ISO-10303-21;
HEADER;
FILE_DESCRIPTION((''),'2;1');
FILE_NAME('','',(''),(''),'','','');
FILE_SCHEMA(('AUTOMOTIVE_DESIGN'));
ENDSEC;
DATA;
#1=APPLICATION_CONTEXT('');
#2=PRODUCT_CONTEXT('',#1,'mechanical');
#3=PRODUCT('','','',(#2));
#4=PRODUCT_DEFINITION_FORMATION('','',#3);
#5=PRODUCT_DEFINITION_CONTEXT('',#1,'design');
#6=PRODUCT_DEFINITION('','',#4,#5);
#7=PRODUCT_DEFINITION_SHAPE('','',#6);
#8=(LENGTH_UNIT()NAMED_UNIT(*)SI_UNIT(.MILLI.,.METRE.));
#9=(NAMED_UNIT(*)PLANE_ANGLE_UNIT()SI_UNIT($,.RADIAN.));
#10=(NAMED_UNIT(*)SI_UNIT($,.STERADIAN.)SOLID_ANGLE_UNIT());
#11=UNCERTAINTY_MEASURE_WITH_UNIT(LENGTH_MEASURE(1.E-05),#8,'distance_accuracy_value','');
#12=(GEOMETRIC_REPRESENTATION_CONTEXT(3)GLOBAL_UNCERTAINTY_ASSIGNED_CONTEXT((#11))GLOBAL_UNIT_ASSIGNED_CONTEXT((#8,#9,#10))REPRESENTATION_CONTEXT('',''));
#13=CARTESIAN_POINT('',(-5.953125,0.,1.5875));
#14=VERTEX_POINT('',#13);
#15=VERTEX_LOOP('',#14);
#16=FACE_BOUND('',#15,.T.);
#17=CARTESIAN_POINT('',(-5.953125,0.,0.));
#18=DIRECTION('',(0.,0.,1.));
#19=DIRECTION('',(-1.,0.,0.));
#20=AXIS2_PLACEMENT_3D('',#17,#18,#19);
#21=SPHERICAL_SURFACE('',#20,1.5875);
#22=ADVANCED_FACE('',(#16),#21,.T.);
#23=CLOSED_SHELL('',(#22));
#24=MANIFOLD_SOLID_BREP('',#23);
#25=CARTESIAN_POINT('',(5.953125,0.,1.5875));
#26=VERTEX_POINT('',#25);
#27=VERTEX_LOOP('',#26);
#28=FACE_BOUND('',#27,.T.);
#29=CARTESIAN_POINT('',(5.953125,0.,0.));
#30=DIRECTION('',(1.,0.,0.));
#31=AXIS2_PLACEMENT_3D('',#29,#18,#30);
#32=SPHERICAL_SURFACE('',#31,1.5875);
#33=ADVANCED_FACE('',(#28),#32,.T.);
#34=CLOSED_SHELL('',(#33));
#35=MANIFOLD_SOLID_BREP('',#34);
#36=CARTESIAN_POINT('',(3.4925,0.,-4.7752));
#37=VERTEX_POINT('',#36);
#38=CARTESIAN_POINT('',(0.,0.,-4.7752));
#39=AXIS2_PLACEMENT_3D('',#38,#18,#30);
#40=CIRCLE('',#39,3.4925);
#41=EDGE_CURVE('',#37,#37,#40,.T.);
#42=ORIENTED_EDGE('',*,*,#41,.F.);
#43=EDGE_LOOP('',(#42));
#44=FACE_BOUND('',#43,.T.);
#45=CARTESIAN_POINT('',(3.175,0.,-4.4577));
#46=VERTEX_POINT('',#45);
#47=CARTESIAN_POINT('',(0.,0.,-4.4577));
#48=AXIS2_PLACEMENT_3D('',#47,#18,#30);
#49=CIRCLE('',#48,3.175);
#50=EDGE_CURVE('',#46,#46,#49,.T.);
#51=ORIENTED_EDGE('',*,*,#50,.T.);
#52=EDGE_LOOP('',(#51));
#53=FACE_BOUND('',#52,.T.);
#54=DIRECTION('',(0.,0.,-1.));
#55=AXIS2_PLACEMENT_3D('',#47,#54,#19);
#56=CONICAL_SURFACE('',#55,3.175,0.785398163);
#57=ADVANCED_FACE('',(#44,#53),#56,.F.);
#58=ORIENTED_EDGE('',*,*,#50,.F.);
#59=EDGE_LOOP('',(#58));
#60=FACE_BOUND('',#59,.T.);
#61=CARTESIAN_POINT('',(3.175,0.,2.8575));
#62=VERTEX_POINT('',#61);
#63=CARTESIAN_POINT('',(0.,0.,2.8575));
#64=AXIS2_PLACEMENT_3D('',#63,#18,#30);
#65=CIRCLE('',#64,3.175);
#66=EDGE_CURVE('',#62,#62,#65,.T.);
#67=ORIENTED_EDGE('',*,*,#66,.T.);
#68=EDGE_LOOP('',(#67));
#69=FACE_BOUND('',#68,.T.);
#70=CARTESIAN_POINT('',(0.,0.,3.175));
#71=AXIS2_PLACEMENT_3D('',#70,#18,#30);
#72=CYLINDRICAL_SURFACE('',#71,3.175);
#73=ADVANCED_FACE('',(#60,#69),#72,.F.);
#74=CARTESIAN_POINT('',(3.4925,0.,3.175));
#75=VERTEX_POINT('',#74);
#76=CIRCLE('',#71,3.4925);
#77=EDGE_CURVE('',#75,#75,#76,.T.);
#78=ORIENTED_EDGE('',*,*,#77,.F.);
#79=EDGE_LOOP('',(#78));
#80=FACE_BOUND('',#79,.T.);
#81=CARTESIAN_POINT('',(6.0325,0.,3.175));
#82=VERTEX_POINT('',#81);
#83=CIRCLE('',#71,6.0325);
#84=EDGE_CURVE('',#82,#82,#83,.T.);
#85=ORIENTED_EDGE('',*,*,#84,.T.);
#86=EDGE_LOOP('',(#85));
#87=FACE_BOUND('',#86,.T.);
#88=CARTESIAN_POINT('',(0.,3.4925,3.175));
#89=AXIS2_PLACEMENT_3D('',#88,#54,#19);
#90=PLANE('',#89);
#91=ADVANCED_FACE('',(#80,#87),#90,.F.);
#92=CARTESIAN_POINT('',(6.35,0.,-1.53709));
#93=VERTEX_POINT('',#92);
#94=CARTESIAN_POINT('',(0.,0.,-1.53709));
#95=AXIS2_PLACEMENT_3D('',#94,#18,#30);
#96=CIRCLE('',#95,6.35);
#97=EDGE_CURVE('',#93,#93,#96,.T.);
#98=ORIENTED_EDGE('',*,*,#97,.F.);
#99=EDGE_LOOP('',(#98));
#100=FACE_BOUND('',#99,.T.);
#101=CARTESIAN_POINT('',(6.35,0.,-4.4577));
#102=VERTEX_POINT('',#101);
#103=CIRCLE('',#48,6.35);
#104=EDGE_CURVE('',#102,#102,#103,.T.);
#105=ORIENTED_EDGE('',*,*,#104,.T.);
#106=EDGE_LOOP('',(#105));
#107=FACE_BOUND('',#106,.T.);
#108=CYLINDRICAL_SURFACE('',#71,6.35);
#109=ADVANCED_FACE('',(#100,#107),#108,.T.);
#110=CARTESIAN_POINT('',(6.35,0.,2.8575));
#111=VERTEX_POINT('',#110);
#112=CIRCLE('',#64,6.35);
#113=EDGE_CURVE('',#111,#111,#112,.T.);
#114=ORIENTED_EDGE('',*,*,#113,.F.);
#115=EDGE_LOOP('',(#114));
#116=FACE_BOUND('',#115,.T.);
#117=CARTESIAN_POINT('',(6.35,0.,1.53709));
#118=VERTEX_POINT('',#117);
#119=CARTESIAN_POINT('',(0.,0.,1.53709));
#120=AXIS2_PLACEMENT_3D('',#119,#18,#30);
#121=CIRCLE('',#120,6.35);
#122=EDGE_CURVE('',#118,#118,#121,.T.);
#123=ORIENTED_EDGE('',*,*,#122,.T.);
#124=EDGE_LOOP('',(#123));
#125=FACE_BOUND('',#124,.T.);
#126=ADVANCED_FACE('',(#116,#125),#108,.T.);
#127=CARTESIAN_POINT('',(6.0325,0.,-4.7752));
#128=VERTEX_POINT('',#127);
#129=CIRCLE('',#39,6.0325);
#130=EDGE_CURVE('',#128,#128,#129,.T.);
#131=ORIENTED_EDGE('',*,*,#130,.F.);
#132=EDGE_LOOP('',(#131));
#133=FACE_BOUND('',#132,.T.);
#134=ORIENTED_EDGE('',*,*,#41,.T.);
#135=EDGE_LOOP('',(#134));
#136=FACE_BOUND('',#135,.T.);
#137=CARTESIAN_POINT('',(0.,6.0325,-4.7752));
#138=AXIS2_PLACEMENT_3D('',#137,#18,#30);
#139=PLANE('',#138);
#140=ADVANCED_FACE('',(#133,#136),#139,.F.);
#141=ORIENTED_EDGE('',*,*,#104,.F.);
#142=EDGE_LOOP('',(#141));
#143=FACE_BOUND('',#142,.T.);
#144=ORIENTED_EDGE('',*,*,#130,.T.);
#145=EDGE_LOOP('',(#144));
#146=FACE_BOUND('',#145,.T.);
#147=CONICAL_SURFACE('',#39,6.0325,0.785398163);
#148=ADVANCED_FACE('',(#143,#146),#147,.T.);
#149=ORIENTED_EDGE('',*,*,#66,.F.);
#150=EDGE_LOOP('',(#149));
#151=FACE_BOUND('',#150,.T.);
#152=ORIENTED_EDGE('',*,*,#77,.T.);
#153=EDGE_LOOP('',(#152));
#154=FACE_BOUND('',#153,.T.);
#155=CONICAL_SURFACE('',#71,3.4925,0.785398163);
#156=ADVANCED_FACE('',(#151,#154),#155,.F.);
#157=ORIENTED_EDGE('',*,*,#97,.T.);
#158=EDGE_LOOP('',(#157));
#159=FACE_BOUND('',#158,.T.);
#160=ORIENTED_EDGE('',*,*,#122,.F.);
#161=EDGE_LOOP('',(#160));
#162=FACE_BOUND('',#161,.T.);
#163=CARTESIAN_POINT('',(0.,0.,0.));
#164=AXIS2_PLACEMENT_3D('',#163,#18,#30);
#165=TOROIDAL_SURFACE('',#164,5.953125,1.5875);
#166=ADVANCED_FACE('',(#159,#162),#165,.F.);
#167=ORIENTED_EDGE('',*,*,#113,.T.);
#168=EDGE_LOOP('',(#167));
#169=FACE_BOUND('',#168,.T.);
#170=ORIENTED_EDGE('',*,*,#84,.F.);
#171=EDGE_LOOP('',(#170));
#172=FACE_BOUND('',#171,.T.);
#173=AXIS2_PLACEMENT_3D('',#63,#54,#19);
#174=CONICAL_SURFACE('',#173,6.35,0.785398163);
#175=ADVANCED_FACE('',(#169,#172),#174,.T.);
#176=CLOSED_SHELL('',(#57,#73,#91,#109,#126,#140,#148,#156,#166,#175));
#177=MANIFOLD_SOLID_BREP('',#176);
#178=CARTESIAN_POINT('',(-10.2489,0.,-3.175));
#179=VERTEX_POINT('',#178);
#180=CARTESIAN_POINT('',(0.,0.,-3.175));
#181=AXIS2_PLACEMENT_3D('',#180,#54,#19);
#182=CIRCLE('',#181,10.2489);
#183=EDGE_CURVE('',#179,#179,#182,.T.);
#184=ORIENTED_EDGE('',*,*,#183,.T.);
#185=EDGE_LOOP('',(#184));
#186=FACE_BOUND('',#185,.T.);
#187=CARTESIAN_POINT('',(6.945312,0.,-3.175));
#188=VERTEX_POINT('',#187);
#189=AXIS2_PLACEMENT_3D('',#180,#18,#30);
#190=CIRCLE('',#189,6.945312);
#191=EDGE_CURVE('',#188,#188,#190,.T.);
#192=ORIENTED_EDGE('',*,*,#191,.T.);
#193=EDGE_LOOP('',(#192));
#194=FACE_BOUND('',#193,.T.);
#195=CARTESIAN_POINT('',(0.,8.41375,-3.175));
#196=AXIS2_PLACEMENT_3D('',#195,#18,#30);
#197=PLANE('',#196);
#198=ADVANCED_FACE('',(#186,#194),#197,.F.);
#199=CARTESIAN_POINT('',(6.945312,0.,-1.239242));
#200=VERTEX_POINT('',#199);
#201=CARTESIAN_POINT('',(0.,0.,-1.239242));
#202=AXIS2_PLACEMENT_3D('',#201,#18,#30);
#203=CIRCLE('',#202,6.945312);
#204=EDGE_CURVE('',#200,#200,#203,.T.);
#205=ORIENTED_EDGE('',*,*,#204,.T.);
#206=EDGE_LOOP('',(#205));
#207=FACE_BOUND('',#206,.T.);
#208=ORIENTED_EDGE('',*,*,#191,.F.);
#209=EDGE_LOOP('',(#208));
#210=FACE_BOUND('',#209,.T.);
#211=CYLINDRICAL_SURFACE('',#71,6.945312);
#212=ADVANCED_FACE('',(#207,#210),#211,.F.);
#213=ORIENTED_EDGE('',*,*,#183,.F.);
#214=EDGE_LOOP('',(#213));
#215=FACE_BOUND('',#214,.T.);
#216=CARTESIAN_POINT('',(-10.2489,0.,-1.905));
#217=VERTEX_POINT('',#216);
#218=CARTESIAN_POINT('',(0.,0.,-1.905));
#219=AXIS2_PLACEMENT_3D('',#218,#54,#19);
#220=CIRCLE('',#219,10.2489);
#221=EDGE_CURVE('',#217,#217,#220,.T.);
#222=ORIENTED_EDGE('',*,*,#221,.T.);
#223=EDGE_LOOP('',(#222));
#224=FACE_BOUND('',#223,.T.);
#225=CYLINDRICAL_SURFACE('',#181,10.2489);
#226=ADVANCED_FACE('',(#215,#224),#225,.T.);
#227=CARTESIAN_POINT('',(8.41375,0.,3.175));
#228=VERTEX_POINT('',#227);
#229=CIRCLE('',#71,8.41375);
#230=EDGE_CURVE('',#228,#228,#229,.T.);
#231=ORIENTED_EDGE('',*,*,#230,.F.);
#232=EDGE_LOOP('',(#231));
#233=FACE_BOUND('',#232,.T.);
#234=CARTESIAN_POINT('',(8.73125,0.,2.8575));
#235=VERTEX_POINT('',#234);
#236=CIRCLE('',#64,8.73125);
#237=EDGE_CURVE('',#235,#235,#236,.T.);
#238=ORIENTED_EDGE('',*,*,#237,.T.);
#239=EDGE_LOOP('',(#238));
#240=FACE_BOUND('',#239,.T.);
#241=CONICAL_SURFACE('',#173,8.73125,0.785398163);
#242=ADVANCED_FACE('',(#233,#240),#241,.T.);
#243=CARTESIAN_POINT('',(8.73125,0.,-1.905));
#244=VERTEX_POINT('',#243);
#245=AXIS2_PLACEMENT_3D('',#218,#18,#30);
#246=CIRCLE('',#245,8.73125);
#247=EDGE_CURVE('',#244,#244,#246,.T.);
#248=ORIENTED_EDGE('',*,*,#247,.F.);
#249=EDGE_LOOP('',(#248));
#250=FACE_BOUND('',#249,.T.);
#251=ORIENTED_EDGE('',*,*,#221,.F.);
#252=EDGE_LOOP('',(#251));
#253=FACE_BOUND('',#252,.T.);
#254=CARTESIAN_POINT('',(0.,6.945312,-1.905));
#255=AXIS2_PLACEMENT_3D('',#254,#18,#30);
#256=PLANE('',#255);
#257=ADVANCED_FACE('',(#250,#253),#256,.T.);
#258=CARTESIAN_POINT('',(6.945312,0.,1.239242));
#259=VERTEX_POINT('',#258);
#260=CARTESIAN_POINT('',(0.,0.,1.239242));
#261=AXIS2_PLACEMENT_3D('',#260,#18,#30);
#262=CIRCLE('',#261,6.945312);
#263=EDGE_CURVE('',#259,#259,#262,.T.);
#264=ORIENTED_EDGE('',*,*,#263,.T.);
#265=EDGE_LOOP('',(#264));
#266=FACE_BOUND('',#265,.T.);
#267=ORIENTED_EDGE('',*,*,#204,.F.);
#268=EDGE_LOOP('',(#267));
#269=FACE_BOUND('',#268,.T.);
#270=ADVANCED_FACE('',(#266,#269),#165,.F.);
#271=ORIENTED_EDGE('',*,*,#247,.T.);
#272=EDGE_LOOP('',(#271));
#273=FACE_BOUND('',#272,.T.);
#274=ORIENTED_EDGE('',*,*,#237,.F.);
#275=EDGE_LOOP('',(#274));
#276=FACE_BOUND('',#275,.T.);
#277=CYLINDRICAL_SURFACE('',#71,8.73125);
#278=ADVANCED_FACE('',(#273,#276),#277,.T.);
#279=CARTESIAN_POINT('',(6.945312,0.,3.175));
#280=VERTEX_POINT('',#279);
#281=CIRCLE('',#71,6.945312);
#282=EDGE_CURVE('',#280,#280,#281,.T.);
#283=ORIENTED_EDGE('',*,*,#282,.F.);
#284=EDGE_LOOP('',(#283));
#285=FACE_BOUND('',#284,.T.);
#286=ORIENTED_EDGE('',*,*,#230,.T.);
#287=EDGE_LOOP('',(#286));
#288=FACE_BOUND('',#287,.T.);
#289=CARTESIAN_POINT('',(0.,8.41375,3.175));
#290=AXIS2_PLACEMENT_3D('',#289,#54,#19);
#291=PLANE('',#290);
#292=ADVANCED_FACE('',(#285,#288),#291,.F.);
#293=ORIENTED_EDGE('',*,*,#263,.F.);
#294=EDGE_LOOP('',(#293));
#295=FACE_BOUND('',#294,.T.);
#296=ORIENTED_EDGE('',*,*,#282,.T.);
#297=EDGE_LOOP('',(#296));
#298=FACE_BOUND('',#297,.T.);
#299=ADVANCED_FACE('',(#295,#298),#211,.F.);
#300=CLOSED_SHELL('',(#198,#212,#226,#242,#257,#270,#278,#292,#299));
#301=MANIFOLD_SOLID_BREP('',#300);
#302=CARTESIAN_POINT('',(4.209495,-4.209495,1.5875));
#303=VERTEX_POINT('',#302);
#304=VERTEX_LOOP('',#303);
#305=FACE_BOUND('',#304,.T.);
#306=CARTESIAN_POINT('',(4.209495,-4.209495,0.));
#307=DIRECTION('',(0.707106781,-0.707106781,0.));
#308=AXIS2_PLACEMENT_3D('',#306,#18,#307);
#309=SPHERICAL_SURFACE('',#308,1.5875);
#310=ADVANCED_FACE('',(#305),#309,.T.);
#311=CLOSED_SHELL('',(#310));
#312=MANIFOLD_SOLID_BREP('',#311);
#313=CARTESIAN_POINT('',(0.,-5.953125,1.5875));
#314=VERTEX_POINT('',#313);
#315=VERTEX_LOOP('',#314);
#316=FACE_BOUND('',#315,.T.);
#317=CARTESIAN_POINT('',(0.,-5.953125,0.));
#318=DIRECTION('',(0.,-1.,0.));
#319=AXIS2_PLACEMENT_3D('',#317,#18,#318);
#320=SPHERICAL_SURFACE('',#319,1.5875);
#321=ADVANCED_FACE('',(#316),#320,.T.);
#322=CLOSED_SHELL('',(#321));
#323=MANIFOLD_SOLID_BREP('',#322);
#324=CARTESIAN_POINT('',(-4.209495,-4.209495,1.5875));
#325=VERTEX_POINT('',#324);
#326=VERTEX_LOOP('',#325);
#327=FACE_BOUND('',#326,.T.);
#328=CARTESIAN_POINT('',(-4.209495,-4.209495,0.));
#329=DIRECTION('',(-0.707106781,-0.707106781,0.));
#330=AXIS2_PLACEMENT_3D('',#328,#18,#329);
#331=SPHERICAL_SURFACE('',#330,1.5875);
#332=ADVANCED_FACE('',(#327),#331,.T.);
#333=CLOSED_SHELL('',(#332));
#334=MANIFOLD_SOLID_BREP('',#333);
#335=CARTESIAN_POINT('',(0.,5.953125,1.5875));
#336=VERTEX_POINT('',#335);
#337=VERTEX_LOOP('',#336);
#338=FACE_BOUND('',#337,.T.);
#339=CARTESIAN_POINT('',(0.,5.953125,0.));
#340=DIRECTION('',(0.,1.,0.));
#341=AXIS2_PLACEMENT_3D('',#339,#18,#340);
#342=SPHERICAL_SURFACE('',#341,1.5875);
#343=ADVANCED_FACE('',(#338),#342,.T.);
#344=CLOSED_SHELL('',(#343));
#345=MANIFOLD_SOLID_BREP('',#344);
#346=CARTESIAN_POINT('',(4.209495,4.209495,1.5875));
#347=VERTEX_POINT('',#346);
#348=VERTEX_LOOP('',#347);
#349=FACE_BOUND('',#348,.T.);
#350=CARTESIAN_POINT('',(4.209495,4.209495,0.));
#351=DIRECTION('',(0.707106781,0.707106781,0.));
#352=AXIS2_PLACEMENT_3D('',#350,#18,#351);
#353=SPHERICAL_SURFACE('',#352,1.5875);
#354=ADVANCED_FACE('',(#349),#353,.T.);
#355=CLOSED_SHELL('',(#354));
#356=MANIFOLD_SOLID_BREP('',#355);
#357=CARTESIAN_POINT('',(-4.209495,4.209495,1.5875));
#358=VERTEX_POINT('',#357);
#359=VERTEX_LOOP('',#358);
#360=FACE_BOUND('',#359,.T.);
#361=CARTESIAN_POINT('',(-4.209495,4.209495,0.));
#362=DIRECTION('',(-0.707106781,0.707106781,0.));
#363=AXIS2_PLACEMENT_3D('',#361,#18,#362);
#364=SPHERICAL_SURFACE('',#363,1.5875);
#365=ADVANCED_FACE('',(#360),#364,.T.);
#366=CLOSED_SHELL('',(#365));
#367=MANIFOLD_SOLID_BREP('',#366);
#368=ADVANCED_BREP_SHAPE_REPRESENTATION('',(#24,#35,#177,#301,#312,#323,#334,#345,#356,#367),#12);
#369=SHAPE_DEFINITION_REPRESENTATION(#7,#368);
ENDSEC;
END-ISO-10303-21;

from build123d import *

# Parameters (mm, degrees)
SKETCH6_W         = 1.27
SKETCH6_H         = 3.3035875
CIRPATTERN1_COUNT = 8


with BuildPart() as part:
    # Sketch1 → Revolve1 (revolve)
    with BuildSketch(Plane(origin=(0, 0, 0), x_dir=(0, 0, -1), z_dir=(1, 0, 0))):
        with BuildLine():
            Line((2.8575, 8.73125), (-2.8575, 8.73125))
            Line((-2.8575, 8.73125), (-3.175, 8.41375))
            Line((-3.175, 8.41375), (-3.175, 6.9453125))
            Line((-3.175, 6.9453125), (-1.23924179, 6.9453125))
            ThreePointArc((-1.23924179, 6.9453125), (0, 7.540625), (1.23924179, 6.9453125))
            Line((1.23924179, 6.9453125), (3.175, 6.9453125))
            Line((3.175, 6.9453125), (3.175, 8.41375))
            Line((3.175, 8.41375), (2.8575, 8.73125))
        make_face()
    revolve(axis=Axis((0, 0, 3.175), (0, 0, -1)))

    # Sketch6 → Revolve6 (revolve)
    with BuildSketch(Plane(origin=(0, 0, 0), x_dir=(0, 0, -1), z_dir=(1, 0, 0))):
        with Locations((2.54, 8.59710625)):
            Rectangle(SKETCH6_W, SKETCH6_H)
    revolve(axis=Axis((0, 0, -3.175), (0, 0, 1)))


with BuildPart() as body_2:
    # Sketch3 → Revolve3 (revolve)
    with BuildSketch(Plane(origin=(0, 0, 0), x_dir=(0, 0, -1), z_dir=(1, 0, 0))):
        with BuildLine():
            Line((-3.175, 3.4925), (-3.175, 6.0325))
            Line((-3.175, 6.0325), (-2.8575, 6.35))
            Line((-2.8575, 6.35), (-1.537090266, 6.35))
            ThreePointArc((-1.537090266, 6.35), (0, 4.365625), (1.537090266, 6.35))
            Line((1.537090266, 6.35), (4.4577, 6.35))
            Line((4.4577, 6.35), (4.7752, 6.0325))
            Line((4.7752, 6.0325), (4.7752, 3.4925))
            Line((4.7752, 3.4925), (4.4577, 3.175))
            Line((4.4577, 3.175), (-2.8575, 3.175))
            Line((-2.8575, 3.175), (-3.175, 3.4925))
        make_face()
    revolve(axis=Axis((0, 0, 3.175), (0, 0, -1)))


with BuildPart() as body_3:
    # Sketch4 → Revolve4 (revolve)
    with BuildSketch(Plane(origin=(0, 0, 0), x_dir=(0, 0, -1), z_dir=(1, 0, 0))):
        with BuildLine():
            Line((-1.5875, 5.953125), (1.5875, 5.953125))
            ThreePointArc((1.5875, 5.953125), (0, 7.540625), (-1.5875, 5.953125))
        make_face()
    revolve(axis=Axis((0, 5.953125, 1.5875), (0, 0, -1)))


with BuildPart() as cirpattern1_1:
    # CirPattern1: pattern copy
    add(body_3.part.rotate(Axis((0, 0, 0), (0, 0, 1)), 1 * 360 / CIRPATTERN1_COUNT))


with BuildPart() as cirpattern1_2:
    # CirPattern1: pattern copy
    add(body_3.part.rotate(Axis((0, 0, 0), (0, 0, 1)), 2 * 360 / CIRPATTERN1_COUNT))


with BuildPart() as cirpattern1_3:
    # CirPattern1: pattern copy
    add(body_3.part.rotate(Axis((0, 0, 0), (0, 0, 1)), 3 * 360 / CIRPATTERN1_COUNT))


with BuildPart() as cirpattern1_4:
    # CirPattern1: pattern copy
    add(body_3.part.rotate(Axis((0, 0, 0), (0, 0, 1)), 4 * 360 / CIRPATTERN1_COUNT))


with BuildPart() as cirpattern1_5:
    # CirPattern1: pattern copy
    add(body_3.part.rotate(Axis((0, 0, 0), (0, 0, 1)), 5 * 360 / CIRPATTERN1_COUNT))


with BuildPart() as cirpattern1_6:
    # CirPattern1: pattern copy
    add(body_3.part.rotate(Axis((0, 0, 0), (0, 0, 1)), 6 * 360 / CIRPATTERN1_COUNT))


with BuildPart() as cirpattern1_7:
    # CirPattern1: pattern copy
    add(body_3.part.rotate(Axis((0, 0, 0), (0, 0, 1)), 7 * 360 / CIRPATTERN1_COUNT))


solid = Compound([part.part, body_2.part, body_3.part, cirpattern1_1.part, cirpattern1_2.part, cirpattern1_3.part, cirpattern1_4.part, cirpattern1_5.part, cirpattern1_6.part, cirpattern1_7.part])
